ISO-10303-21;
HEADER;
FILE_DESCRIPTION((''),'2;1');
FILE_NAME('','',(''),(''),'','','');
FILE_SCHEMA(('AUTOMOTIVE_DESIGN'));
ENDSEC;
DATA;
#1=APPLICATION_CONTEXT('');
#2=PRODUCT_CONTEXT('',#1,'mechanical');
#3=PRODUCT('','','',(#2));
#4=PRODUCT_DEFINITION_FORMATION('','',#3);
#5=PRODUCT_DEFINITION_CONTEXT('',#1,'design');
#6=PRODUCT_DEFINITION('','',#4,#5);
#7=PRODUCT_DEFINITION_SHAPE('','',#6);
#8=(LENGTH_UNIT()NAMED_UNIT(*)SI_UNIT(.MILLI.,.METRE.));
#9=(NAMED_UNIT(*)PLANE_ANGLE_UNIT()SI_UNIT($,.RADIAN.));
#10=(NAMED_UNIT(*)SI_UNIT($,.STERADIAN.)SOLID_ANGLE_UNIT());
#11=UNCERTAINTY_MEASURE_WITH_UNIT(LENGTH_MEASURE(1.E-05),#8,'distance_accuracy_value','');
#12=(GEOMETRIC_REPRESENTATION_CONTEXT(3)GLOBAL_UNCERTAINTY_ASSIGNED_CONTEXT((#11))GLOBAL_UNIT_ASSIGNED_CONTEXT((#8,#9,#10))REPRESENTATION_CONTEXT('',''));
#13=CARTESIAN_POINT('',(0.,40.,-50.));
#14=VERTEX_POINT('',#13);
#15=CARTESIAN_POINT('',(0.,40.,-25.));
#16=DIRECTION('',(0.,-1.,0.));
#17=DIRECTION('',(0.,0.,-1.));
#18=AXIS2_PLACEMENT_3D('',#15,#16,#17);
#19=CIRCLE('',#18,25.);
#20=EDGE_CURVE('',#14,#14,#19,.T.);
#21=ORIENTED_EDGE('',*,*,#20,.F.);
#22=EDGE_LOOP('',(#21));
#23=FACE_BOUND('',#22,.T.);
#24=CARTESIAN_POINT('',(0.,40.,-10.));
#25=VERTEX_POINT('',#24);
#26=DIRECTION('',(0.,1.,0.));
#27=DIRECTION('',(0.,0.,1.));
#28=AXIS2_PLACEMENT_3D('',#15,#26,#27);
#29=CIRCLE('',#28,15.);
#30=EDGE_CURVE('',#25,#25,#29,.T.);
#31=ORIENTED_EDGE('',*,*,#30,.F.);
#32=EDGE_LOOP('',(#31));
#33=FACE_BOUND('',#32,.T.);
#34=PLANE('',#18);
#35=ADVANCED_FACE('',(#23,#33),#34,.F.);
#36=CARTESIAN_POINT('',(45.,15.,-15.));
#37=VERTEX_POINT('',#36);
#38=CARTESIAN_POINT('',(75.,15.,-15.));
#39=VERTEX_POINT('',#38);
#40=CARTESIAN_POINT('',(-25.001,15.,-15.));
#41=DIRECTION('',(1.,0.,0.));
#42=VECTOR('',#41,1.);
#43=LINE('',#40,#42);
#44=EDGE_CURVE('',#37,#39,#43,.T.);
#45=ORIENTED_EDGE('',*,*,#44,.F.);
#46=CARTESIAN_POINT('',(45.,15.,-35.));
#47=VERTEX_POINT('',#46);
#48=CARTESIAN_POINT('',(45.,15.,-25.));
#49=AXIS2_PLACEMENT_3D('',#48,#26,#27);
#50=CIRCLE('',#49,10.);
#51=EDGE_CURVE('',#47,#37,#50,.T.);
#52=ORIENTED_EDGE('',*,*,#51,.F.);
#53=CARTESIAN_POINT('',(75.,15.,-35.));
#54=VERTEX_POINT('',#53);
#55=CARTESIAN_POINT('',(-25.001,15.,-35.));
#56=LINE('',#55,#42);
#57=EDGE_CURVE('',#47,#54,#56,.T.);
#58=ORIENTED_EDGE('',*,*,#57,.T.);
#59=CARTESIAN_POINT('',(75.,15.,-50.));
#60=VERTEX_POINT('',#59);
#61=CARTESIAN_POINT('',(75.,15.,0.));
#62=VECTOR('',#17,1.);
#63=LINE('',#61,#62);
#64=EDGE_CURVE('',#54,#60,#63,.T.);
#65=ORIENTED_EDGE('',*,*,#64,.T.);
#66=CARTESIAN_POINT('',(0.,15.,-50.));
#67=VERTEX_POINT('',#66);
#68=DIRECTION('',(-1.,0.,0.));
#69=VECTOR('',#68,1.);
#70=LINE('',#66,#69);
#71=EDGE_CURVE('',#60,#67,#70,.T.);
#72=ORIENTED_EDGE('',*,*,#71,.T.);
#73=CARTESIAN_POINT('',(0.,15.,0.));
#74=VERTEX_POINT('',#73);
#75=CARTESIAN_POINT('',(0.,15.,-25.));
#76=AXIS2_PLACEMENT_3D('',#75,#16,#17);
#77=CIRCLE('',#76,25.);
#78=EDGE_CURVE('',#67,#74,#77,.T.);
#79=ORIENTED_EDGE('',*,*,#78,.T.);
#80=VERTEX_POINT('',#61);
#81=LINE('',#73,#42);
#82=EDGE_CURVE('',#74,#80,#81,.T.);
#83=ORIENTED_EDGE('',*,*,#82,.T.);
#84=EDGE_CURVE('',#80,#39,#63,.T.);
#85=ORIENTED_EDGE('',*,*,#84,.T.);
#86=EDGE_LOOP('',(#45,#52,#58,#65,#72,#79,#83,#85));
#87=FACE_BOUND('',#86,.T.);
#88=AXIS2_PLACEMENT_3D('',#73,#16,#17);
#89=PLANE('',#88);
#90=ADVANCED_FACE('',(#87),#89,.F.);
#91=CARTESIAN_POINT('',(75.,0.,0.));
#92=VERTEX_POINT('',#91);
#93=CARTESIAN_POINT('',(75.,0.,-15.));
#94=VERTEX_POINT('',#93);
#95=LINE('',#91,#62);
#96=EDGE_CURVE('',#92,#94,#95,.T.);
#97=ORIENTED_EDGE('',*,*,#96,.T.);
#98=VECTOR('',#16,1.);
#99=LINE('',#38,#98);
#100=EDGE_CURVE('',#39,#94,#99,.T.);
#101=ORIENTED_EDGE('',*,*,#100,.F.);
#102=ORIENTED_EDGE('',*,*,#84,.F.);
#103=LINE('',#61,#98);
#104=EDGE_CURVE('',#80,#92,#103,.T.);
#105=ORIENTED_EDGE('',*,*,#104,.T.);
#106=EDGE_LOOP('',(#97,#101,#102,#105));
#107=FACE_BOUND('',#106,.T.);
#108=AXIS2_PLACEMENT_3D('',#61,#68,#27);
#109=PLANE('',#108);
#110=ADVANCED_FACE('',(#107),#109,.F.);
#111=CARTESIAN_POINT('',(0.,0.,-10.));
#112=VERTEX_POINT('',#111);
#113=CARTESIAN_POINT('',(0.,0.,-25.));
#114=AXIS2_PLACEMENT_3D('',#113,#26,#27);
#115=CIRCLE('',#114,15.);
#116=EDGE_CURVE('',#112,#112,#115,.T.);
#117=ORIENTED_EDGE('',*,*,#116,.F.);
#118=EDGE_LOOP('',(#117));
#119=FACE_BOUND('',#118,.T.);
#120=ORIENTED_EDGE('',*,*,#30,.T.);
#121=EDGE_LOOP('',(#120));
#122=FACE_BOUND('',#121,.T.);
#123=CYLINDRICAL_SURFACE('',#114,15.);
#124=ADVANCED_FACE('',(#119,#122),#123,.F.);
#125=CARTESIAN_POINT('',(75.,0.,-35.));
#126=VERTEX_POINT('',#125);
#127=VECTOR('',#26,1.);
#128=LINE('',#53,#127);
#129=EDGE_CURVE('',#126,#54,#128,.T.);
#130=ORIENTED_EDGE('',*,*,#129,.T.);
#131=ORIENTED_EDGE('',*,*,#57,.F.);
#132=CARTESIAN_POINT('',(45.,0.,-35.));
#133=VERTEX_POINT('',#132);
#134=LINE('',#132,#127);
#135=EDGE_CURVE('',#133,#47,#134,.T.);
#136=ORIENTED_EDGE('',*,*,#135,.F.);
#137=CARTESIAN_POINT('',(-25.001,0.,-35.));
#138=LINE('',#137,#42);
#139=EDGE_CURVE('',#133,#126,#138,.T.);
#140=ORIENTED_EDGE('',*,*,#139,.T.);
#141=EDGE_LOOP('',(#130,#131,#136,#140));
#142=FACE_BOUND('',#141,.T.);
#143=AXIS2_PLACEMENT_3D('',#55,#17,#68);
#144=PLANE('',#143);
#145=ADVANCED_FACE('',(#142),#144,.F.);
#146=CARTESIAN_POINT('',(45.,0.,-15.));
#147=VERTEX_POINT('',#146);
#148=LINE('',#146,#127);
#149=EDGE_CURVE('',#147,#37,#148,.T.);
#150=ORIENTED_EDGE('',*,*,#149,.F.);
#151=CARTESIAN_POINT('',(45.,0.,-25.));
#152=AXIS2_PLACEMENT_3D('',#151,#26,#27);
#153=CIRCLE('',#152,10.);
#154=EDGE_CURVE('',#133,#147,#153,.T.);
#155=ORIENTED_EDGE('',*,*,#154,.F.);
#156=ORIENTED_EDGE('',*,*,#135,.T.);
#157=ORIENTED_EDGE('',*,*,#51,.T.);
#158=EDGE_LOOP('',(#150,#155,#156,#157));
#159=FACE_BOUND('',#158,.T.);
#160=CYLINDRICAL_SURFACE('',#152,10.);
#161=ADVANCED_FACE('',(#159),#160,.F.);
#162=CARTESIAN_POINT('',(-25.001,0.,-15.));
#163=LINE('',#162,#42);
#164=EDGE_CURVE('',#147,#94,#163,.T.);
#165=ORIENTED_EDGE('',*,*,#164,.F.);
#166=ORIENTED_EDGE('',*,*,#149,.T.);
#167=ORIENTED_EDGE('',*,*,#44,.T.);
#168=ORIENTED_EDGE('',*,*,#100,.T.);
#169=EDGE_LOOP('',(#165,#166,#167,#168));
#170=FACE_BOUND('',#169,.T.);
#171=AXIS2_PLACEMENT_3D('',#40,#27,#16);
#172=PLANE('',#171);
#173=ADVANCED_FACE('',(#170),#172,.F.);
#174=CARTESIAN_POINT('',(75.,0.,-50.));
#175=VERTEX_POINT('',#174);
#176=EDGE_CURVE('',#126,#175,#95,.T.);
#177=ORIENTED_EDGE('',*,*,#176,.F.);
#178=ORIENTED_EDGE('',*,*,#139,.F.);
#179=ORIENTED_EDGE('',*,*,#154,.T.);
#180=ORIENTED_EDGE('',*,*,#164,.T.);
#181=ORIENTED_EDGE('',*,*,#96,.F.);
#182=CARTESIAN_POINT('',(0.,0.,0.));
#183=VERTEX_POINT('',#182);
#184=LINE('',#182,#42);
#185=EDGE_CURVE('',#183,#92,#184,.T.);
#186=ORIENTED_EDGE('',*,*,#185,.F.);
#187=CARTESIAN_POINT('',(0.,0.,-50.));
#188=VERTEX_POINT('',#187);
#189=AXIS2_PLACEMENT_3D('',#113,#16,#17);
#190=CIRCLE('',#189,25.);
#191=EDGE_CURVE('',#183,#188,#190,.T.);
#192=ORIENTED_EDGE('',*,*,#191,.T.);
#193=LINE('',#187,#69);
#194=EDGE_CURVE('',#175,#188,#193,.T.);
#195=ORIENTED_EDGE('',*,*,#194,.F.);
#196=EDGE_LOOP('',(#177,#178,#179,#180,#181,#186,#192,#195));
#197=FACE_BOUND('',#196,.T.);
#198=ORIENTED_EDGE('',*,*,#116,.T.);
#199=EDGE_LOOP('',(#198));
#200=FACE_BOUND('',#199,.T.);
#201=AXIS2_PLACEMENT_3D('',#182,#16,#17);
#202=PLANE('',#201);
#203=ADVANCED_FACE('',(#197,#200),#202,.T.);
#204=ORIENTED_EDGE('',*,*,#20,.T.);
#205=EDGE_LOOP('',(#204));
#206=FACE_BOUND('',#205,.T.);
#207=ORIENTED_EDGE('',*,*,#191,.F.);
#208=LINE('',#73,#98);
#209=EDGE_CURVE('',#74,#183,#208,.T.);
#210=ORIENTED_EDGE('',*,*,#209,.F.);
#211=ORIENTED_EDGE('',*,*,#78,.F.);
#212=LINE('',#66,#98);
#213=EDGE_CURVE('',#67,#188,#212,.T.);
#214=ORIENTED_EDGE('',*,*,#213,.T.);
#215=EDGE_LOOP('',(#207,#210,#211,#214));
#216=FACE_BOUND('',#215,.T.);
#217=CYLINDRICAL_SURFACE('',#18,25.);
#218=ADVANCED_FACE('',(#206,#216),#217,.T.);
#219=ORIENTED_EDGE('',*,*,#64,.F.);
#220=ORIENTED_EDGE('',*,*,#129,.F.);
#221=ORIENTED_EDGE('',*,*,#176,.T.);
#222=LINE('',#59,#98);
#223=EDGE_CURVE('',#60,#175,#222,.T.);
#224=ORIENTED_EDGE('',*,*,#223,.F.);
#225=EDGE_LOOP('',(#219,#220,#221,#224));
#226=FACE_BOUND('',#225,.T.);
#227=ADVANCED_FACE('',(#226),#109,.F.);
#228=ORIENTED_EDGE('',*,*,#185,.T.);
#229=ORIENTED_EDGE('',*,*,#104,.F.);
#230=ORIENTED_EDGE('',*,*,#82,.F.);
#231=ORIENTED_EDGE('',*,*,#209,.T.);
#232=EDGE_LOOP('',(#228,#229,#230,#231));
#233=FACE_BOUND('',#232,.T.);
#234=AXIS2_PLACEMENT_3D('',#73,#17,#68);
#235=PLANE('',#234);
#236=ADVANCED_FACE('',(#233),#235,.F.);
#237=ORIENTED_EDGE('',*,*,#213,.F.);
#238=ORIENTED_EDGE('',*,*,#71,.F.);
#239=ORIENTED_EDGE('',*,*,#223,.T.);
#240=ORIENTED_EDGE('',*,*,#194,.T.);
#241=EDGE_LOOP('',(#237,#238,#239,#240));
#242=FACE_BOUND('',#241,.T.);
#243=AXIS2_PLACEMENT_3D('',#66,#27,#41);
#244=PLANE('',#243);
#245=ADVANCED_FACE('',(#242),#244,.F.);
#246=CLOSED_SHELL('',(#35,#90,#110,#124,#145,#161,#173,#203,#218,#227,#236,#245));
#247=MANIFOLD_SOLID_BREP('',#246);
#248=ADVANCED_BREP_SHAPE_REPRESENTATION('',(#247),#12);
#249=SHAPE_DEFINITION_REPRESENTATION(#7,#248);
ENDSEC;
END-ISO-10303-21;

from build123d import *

# Parameters (mm, degrees)
SKETCH1_W           = 75
SKETCH1_H           = 50
BOSS_EXTRUDE1_DEPTH = 15
SKETCH2_R           = 25
BOSS_EXTRUDE2_DEPTH = 40
SKETCH3_R           = 15
CUT_EXTRUDE1_DEPTH  = 41
SKETCH4_R           = 10
CUT_EXTRUDE2_DEPTH  = 16
CUT_EXTRUDE3_REACH  = 102
SKETCH5_W           = 20
SKETCH5_H           = 15


with BuildPart() as part:
    # Sketch1 → Boss-Extrude1 (new body)
    with BuildSketch(Plane(origin=(0, 0, 0), x_dir=(1, 0, 0), z_dir=(0, 1, 0))):
        with Locations((37.5, 25)):
            Rectangle(SKETCH1_W, SKETCH1_H)
    extrude(amount=BOSS_EXTRUDE1_DEPTH)

    # Sketch2 → Boss-Extrude2 (add)
    with BuildSketch(Plane.XZ):
        with Locations((0, -25)):
            Circle(SKETCH2_R)
    extrude(amount=-BOSS_EXTRUDE2_DEPTH)

    # Sketch3 → Cut-Extrude1 (cut, through all)
    with BuildSketch(Plane(origin=(0, 40, 0), x_dir=(1, 0, 0), z_dir=(0, 1, 0))):
        with Locations((0, 25)):
            Circle(SKETCH3_R)
    extrude(amount=-CUT_EXTRUDE1_DEPTH, mode=Mode.SUBTRACT)

    # Sketch4 → Cut-Extrude2 (cut, through all)
    with BuildSketch(Plane(origin=(0, 15, 0), x_dir=(1, 0, 0), z_dir=(0, 1, 0))):
        with Locations((45, 25)):
            Circle(SKETCH4_R)
    extrude(amount=-CUT_EXTRUDE2_DEPTH, mode=Mode.SUBTRACT)

    # Sketch5 → Cut-Extrude3 (cut, up to next)
    with BuildSketch(Plane(origin=(75, 0, 0), x_dir=(0, 0, -1), z_dir=(1, 0, 0)), mode=Mode.PRIVATE) as cut_extrude3_sk1:
        with Locations((25, 7.5)):
            Rectangle(SKETCH5_W, SKETCH5_H)
    cut_extrude3_tool1 = extrude(cut_extrude3_sk1.sketch, amount=-CUT_EXTRUDE3_REACH, mode=Mode.PRIVATE) & part.part
    add(cut_extrude3_tool1.solids().sort_by_distance((75, 7.5, -25))[0], mode=Mode.SUBTRACT)


solid = part.part
